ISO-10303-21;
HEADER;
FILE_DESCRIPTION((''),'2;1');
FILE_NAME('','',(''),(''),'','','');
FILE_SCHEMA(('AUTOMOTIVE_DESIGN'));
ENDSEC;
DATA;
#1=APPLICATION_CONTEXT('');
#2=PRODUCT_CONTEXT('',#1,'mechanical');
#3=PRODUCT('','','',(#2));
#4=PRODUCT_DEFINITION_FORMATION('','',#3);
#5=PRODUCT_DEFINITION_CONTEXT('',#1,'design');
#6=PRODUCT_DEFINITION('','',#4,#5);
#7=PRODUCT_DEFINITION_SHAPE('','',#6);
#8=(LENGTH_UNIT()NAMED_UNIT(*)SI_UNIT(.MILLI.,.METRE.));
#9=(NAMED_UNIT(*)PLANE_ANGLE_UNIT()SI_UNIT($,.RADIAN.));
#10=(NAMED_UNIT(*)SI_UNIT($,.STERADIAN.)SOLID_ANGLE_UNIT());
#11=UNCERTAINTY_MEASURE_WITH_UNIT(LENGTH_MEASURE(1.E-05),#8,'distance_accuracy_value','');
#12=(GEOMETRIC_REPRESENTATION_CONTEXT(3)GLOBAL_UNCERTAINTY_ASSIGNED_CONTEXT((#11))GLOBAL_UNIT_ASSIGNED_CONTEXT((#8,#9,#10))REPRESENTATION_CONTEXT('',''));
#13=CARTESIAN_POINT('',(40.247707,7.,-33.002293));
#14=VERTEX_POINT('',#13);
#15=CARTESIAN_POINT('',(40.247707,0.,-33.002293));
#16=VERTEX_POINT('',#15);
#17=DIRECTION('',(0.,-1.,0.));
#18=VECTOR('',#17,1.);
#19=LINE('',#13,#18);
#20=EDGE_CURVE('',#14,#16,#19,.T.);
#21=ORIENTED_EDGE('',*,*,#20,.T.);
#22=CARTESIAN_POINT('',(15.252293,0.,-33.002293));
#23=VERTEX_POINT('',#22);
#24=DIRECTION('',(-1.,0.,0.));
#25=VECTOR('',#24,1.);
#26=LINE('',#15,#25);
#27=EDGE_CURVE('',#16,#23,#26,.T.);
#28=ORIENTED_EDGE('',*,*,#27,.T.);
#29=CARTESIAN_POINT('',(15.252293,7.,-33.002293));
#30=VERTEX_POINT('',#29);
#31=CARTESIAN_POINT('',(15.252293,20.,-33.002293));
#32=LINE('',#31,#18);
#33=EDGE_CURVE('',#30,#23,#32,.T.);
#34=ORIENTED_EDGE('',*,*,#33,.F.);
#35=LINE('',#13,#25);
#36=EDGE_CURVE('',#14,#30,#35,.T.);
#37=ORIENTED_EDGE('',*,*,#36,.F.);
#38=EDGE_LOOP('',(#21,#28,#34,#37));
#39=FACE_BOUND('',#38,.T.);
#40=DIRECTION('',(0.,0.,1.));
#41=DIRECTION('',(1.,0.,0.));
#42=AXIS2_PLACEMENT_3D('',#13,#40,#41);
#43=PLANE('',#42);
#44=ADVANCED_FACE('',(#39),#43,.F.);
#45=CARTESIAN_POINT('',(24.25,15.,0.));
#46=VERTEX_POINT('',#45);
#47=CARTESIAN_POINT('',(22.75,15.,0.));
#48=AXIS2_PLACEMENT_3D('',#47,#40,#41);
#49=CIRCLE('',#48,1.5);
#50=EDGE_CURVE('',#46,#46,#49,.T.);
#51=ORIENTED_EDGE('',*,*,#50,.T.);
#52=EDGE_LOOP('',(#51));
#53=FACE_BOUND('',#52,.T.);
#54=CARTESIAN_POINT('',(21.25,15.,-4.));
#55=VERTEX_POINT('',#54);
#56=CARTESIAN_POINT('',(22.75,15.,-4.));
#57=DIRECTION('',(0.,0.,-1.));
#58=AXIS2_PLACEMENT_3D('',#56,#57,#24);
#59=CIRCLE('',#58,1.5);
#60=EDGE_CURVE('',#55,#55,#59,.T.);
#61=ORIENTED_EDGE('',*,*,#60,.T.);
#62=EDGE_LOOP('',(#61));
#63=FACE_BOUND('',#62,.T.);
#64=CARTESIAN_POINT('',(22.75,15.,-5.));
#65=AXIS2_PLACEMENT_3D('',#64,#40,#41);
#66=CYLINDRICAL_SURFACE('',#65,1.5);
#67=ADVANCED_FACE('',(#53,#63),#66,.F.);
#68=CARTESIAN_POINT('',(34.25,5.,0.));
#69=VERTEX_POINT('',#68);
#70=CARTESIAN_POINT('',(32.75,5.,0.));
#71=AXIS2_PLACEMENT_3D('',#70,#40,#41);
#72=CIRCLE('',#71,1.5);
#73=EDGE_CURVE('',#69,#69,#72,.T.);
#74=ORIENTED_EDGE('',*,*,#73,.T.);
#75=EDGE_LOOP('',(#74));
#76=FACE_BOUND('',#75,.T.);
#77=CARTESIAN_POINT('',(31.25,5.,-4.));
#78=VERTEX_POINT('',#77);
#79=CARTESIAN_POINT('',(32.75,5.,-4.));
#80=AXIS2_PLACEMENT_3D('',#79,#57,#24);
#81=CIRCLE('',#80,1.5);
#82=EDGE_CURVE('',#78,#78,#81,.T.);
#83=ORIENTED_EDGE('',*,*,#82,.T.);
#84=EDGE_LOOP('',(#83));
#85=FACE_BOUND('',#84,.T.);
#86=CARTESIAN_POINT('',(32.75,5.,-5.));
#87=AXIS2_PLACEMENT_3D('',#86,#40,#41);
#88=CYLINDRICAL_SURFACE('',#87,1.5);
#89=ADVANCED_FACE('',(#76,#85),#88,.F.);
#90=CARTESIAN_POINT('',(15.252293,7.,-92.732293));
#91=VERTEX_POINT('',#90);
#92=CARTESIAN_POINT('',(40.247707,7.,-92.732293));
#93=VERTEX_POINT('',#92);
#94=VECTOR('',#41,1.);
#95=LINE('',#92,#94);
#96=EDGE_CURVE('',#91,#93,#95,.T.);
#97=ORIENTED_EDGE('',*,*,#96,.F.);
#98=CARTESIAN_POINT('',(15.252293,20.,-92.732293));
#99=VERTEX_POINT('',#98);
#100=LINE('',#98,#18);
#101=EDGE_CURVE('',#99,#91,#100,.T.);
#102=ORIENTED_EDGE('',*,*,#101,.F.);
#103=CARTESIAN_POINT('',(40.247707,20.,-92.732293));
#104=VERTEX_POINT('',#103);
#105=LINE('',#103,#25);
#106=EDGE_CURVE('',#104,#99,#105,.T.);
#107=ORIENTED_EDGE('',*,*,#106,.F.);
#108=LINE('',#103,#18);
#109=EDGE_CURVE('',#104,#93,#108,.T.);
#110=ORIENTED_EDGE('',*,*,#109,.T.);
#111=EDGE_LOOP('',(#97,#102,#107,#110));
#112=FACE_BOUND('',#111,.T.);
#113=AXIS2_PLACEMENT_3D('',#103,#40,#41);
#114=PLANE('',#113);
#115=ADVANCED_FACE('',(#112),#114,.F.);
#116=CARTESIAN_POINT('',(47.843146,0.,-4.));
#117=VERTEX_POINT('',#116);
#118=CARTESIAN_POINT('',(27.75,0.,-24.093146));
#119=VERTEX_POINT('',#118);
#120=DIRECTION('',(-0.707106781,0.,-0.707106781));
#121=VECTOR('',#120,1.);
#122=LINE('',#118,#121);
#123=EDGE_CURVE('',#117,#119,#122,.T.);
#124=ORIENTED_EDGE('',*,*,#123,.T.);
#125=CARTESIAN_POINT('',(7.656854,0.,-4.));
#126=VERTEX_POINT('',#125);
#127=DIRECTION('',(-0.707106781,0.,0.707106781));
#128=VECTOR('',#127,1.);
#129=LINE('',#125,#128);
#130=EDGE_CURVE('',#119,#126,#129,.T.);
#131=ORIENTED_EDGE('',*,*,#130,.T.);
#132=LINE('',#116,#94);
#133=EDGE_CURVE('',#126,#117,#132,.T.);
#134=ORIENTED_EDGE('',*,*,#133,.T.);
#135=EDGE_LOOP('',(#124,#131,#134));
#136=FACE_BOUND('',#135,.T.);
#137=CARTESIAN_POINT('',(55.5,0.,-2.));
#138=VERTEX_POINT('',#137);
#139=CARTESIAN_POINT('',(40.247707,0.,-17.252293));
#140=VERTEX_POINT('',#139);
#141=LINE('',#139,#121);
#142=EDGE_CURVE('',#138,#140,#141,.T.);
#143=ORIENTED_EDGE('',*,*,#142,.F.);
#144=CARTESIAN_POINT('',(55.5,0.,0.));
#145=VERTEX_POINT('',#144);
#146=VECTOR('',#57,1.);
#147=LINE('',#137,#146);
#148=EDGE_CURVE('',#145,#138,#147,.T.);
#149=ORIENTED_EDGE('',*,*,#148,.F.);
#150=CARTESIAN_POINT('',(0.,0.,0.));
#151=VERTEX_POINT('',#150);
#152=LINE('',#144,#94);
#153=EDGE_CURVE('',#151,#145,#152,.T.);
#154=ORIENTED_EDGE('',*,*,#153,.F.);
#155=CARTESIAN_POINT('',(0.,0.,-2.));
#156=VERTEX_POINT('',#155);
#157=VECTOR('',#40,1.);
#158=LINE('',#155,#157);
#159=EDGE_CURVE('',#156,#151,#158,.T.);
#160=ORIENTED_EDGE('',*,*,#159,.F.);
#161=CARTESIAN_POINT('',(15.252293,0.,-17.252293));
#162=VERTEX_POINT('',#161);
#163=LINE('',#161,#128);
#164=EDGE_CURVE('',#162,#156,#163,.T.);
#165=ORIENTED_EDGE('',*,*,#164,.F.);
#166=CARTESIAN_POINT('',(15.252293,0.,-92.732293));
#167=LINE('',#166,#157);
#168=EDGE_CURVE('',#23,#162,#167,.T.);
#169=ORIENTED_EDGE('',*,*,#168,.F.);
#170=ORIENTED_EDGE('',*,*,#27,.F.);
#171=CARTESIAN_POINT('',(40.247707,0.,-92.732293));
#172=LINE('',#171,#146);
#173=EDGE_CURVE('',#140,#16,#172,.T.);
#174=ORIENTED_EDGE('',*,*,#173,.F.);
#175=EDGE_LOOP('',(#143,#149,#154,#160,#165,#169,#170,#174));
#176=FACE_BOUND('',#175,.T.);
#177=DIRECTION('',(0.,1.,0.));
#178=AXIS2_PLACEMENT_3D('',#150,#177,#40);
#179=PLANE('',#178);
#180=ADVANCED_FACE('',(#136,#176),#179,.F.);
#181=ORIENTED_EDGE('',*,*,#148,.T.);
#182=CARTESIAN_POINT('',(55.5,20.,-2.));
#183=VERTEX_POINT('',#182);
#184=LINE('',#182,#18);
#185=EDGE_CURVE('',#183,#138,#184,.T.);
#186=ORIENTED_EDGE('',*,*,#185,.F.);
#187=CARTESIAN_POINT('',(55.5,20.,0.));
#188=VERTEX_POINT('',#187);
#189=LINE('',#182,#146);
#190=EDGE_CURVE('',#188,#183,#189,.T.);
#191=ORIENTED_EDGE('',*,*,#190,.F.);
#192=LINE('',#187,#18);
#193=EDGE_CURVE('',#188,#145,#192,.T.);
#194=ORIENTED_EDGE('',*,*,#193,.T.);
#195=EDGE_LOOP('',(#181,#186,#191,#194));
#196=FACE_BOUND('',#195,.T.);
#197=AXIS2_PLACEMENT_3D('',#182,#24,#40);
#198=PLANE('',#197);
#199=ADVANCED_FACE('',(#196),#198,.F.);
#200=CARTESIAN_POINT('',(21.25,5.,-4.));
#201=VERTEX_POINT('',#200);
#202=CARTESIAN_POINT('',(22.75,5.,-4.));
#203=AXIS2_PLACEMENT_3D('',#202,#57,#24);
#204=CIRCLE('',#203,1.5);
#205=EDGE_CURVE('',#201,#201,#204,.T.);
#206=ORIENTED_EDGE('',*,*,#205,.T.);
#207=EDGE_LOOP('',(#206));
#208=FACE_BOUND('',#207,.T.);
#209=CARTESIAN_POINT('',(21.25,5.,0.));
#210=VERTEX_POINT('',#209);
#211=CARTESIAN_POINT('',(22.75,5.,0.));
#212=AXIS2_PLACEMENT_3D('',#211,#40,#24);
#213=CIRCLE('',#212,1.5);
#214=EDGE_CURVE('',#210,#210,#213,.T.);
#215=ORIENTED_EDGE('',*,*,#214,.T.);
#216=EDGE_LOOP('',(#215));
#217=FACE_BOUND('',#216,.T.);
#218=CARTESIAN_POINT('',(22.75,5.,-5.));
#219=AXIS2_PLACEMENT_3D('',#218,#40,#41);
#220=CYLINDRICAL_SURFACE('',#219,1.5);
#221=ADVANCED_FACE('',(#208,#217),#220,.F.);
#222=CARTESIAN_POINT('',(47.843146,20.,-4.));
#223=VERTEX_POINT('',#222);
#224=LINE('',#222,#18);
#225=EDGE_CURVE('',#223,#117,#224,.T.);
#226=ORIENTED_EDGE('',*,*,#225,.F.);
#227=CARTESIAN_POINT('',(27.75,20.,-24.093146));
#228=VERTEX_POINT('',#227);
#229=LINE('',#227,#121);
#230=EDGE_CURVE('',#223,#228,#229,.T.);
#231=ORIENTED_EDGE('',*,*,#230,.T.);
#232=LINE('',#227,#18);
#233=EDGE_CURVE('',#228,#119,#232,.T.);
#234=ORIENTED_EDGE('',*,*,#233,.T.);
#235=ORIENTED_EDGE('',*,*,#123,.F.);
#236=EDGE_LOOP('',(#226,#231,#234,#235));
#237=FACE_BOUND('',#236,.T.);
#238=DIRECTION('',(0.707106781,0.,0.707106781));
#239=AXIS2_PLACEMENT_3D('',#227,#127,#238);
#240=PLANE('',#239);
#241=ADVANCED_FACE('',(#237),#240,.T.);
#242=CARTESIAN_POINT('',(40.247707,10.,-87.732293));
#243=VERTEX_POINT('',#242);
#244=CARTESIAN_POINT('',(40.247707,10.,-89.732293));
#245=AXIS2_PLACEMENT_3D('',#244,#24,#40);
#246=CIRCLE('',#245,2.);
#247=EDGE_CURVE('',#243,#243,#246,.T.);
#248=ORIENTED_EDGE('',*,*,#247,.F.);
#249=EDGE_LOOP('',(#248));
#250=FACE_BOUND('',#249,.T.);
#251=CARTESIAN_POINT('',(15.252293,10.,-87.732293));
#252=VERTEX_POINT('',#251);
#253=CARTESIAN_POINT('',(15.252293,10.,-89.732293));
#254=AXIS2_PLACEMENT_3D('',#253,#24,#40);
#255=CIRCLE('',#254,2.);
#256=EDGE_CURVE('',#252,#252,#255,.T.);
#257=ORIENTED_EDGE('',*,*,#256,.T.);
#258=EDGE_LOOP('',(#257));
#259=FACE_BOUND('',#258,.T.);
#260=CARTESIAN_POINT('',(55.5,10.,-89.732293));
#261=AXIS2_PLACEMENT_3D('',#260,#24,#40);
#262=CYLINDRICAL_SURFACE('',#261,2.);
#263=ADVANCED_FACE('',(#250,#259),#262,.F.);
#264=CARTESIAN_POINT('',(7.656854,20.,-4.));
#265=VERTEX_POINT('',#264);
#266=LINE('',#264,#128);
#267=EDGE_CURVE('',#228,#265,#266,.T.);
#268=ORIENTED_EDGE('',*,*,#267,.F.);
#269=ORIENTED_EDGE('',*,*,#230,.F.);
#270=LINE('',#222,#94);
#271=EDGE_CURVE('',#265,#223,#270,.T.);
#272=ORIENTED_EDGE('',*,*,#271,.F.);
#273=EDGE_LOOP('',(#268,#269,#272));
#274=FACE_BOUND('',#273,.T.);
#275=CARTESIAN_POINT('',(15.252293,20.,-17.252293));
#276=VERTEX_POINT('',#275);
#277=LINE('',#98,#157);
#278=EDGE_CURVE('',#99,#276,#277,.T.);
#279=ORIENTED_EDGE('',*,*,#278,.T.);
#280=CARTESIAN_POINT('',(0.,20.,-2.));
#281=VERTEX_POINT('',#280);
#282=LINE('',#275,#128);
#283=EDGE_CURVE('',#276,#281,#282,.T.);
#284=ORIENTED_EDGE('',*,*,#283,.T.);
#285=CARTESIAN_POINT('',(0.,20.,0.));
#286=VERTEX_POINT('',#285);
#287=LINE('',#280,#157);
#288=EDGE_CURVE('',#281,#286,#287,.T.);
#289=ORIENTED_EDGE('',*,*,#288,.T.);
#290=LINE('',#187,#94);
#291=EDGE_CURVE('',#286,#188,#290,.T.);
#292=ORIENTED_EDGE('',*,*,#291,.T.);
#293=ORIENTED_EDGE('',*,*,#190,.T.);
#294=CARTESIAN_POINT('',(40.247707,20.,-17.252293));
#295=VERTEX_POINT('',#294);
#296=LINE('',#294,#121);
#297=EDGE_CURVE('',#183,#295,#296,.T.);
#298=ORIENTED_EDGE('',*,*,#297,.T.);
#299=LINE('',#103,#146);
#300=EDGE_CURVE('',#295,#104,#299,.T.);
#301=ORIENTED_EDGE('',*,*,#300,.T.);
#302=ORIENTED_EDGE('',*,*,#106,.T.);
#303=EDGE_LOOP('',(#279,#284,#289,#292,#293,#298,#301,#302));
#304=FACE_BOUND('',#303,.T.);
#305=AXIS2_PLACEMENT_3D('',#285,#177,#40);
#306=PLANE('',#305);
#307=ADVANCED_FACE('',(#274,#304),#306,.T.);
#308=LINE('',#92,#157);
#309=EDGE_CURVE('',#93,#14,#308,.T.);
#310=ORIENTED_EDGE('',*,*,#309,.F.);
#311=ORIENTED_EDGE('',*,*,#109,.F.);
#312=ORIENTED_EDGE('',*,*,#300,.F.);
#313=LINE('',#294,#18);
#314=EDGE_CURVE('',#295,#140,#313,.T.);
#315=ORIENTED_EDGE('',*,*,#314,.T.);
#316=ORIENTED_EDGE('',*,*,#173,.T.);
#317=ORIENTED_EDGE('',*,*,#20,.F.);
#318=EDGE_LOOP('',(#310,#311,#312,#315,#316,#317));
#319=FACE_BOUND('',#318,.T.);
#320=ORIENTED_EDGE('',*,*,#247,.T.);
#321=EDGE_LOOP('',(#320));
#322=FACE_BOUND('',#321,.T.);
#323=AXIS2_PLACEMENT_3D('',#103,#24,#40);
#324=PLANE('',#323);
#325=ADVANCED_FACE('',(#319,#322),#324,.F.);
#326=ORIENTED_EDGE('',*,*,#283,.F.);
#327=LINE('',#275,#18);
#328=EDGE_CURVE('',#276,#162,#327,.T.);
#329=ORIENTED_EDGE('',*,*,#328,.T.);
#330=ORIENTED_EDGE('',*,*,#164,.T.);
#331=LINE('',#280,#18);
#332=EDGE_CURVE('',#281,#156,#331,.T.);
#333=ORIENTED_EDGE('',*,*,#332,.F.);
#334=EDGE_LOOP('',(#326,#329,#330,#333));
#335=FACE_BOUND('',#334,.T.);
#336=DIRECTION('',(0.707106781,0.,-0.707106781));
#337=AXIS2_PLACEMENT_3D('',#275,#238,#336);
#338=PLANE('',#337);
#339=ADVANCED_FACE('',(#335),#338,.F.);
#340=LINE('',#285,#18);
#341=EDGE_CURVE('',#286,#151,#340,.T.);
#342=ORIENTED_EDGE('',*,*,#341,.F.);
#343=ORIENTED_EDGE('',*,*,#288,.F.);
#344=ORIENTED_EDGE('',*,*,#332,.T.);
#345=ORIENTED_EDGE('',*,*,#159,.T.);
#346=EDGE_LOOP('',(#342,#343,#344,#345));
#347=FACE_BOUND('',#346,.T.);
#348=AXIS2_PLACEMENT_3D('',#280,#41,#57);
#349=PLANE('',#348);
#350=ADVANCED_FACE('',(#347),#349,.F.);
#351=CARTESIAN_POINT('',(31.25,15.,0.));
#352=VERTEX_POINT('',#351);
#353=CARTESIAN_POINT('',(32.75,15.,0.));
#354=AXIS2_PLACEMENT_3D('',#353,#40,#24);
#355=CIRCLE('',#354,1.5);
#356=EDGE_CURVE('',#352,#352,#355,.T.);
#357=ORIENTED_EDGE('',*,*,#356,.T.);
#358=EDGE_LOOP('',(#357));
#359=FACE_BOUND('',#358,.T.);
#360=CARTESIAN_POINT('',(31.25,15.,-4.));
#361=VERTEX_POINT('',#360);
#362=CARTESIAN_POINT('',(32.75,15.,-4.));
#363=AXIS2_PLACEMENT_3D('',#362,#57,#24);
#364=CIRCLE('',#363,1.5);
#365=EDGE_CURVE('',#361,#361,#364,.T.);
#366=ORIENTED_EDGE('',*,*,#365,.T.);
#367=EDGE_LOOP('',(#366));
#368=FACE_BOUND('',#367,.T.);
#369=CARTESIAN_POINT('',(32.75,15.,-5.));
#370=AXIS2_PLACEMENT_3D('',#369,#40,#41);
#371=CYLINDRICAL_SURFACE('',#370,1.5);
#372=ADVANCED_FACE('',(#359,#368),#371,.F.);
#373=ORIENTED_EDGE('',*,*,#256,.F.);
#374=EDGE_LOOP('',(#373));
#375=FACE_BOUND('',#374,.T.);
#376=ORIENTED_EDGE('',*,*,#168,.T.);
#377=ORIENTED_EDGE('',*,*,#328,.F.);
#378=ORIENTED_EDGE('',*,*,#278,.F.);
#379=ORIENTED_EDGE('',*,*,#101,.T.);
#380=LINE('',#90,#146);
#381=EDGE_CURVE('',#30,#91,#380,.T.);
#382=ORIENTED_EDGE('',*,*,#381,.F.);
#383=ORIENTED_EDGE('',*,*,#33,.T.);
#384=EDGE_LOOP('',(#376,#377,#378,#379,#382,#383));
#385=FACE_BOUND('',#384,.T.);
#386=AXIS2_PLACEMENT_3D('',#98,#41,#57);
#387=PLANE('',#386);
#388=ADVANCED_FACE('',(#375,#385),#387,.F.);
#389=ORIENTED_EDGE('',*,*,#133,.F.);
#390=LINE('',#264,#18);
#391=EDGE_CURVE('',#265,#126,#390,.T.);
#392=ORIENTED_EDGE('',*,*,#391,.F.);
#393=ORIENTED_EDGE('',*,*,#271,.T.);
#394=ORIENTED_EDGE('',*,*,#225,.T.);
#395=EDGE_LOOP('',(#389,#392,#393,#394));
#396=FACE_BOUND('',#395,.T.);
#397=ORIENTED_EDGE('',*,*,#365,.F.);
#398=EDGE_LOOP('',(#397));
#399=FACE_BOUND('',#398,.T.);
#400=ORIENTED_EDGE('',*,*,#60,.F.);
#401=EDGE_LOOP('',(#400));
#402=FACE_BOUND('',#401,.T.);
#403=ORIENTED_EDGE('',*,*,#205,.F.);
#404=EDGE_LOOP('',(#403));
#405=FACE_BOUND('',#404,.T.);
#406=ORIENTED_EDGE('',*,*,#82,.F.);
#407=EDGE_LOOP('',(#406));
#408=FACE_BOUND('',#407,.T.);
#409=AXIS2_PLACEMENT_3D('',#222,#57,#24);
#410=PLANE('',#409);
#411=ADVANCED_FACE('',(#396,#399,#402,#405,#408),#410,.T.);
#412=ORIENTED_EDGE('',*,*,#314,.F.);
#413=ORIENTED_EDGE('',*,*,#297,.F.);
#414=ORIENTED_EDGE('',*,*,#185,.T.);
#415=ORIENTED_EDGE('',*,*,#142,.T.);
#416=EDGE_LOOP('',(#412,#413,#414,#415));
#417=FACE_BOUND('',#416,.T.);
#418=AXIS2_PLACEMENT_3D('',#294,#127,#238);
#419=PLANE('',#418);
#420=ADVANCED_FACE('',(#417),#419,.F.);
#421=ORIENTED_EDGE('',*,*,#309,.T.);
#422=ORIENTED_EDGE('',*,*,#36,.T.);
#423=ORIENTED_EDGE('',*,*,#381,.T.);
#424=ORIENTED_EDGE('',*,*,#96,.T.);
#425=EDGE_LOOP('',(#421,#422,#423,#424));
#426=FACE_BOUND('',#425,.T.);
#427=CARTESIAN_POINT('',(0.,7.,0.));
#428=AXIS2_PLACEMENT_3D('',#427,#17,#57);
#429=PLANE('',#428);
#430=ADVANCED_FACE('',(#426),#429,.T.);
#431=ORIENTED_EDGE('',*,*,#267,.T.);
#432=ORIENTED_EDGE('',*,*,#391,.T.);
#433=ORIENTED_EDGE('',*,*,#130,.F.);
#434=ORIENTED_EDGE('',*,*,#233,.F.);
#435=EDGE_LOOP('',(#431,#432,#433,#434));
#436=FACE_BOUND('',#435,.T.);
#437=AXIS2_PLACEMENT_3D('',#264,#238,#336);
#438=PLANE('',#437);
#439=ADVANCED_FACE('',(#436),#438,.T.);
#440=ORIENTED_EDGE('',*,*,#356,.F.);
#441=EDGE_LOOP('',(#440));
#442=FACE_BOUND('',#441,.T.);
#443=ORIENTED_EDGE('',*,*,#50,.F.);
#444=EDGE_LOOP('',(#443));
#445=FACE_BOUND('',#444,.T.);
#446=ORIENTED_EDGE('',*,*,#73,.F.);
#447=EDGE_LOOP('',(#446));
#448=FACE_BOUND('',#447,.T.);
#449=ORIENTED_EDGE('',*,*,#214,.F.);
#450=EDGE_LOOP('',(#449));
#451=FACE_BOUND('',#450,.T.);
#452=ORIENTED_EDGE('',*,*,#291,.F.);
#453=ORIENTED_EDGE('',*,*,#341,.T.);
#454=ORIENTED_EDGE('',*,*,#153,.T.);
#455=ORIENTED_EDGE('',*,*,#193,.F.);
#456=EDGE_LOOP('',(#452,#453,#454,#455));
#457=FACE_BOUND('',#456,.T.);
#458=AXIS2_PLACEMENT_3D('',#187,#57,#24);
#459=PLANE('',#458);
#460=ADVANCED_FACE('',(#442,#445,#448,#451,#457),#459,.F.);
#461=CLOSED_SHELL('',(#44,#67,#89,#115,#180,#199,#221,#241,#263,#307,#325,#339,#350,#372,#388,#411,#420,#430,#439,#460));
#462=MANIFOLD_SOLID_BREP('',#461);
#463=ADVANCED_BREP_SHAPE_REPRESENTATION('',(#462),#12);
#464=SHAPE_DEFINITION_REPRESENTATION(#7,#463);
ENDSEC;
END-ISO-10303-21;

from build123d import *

# Parameters (mm, degrees)
EXTRUDE_1_DEPTH     = 20
SKETCH_2_R          = 1.5
CUT_EXTRUDE_1_DEPTH = 5
SKETCH_4_W          = 24.99770673
SKETCH_4_H          = 59.73
CUT_EXTRUDE_3_DEPTH = 7
SKETCH_8_R          = 2
CUT_EXTRUDE_5_DEPTH = 41.24770673


with BuildPart() as part:
    # 스케치1 → 보스-돌출1 (new body)
    with BuildSketch(Plane(origin=(0, 0, 0), x_dir=(1, 0, 0), z_dir=(0, 1, 0))):
        Polygon((40.24770673, 92.73229327), (15.25229327, 92.73229327), (15.25229327, 17.25229327), (0, 2), (0, 0), (55.5, 0), (55.5, 2), (40.24770673, 17.25229327), align=None)
        Polygon((27.75, 24.093145751), (47.843145751, 4), (7.656854249, 4), align=None, mode=Mode.SUBTRACT)
    extrude(amount=EXTRUDE_1_DEPTH)

    # 스케치2 → 컷-돌출1 (cut)
    with BuildSketch(Plane.XY):
        with Locations((22.75, 15)):
            Circle(SKETCH_2_R)
        with Locations((32.75, 15)):
            Circle(SKETCH_2_R)
        with Locations((32.75, 5)):
            Circle(SKETCH_2_R)
        with Locations((22.75, 5)):
            Circle(SKETCH_2_R)
    extrude(amount=-CUT_EXTRUDE_1_DEPTH, mode=Mode.SUBTRACT)

    # 스케치4 → 컷-돌출3 (cut)
    with BuildSketch(Plane.XZ):
        with Locations((27.748853365, -62.86729327)):
            Rectangle(SKETCH_4_W, SKETCH_4_H)
    extrude(amount=-CUT_EXTRUDE_3_DEPTH, mode=Mode.SUBTRACT)

    # 스케치8 → 컷-돌출5 (cut, through all)
    with BuildSketch(Plane.ZY.offset(-15.25229327)):
        with Locations((-89.73229327, 10)):
            Circle(SKETCH_8_R)
    extrude(amount=-CUT_EXTRUDE_5_DEPTH, mode=Mode.SUBTRACT)


solid = part.part
